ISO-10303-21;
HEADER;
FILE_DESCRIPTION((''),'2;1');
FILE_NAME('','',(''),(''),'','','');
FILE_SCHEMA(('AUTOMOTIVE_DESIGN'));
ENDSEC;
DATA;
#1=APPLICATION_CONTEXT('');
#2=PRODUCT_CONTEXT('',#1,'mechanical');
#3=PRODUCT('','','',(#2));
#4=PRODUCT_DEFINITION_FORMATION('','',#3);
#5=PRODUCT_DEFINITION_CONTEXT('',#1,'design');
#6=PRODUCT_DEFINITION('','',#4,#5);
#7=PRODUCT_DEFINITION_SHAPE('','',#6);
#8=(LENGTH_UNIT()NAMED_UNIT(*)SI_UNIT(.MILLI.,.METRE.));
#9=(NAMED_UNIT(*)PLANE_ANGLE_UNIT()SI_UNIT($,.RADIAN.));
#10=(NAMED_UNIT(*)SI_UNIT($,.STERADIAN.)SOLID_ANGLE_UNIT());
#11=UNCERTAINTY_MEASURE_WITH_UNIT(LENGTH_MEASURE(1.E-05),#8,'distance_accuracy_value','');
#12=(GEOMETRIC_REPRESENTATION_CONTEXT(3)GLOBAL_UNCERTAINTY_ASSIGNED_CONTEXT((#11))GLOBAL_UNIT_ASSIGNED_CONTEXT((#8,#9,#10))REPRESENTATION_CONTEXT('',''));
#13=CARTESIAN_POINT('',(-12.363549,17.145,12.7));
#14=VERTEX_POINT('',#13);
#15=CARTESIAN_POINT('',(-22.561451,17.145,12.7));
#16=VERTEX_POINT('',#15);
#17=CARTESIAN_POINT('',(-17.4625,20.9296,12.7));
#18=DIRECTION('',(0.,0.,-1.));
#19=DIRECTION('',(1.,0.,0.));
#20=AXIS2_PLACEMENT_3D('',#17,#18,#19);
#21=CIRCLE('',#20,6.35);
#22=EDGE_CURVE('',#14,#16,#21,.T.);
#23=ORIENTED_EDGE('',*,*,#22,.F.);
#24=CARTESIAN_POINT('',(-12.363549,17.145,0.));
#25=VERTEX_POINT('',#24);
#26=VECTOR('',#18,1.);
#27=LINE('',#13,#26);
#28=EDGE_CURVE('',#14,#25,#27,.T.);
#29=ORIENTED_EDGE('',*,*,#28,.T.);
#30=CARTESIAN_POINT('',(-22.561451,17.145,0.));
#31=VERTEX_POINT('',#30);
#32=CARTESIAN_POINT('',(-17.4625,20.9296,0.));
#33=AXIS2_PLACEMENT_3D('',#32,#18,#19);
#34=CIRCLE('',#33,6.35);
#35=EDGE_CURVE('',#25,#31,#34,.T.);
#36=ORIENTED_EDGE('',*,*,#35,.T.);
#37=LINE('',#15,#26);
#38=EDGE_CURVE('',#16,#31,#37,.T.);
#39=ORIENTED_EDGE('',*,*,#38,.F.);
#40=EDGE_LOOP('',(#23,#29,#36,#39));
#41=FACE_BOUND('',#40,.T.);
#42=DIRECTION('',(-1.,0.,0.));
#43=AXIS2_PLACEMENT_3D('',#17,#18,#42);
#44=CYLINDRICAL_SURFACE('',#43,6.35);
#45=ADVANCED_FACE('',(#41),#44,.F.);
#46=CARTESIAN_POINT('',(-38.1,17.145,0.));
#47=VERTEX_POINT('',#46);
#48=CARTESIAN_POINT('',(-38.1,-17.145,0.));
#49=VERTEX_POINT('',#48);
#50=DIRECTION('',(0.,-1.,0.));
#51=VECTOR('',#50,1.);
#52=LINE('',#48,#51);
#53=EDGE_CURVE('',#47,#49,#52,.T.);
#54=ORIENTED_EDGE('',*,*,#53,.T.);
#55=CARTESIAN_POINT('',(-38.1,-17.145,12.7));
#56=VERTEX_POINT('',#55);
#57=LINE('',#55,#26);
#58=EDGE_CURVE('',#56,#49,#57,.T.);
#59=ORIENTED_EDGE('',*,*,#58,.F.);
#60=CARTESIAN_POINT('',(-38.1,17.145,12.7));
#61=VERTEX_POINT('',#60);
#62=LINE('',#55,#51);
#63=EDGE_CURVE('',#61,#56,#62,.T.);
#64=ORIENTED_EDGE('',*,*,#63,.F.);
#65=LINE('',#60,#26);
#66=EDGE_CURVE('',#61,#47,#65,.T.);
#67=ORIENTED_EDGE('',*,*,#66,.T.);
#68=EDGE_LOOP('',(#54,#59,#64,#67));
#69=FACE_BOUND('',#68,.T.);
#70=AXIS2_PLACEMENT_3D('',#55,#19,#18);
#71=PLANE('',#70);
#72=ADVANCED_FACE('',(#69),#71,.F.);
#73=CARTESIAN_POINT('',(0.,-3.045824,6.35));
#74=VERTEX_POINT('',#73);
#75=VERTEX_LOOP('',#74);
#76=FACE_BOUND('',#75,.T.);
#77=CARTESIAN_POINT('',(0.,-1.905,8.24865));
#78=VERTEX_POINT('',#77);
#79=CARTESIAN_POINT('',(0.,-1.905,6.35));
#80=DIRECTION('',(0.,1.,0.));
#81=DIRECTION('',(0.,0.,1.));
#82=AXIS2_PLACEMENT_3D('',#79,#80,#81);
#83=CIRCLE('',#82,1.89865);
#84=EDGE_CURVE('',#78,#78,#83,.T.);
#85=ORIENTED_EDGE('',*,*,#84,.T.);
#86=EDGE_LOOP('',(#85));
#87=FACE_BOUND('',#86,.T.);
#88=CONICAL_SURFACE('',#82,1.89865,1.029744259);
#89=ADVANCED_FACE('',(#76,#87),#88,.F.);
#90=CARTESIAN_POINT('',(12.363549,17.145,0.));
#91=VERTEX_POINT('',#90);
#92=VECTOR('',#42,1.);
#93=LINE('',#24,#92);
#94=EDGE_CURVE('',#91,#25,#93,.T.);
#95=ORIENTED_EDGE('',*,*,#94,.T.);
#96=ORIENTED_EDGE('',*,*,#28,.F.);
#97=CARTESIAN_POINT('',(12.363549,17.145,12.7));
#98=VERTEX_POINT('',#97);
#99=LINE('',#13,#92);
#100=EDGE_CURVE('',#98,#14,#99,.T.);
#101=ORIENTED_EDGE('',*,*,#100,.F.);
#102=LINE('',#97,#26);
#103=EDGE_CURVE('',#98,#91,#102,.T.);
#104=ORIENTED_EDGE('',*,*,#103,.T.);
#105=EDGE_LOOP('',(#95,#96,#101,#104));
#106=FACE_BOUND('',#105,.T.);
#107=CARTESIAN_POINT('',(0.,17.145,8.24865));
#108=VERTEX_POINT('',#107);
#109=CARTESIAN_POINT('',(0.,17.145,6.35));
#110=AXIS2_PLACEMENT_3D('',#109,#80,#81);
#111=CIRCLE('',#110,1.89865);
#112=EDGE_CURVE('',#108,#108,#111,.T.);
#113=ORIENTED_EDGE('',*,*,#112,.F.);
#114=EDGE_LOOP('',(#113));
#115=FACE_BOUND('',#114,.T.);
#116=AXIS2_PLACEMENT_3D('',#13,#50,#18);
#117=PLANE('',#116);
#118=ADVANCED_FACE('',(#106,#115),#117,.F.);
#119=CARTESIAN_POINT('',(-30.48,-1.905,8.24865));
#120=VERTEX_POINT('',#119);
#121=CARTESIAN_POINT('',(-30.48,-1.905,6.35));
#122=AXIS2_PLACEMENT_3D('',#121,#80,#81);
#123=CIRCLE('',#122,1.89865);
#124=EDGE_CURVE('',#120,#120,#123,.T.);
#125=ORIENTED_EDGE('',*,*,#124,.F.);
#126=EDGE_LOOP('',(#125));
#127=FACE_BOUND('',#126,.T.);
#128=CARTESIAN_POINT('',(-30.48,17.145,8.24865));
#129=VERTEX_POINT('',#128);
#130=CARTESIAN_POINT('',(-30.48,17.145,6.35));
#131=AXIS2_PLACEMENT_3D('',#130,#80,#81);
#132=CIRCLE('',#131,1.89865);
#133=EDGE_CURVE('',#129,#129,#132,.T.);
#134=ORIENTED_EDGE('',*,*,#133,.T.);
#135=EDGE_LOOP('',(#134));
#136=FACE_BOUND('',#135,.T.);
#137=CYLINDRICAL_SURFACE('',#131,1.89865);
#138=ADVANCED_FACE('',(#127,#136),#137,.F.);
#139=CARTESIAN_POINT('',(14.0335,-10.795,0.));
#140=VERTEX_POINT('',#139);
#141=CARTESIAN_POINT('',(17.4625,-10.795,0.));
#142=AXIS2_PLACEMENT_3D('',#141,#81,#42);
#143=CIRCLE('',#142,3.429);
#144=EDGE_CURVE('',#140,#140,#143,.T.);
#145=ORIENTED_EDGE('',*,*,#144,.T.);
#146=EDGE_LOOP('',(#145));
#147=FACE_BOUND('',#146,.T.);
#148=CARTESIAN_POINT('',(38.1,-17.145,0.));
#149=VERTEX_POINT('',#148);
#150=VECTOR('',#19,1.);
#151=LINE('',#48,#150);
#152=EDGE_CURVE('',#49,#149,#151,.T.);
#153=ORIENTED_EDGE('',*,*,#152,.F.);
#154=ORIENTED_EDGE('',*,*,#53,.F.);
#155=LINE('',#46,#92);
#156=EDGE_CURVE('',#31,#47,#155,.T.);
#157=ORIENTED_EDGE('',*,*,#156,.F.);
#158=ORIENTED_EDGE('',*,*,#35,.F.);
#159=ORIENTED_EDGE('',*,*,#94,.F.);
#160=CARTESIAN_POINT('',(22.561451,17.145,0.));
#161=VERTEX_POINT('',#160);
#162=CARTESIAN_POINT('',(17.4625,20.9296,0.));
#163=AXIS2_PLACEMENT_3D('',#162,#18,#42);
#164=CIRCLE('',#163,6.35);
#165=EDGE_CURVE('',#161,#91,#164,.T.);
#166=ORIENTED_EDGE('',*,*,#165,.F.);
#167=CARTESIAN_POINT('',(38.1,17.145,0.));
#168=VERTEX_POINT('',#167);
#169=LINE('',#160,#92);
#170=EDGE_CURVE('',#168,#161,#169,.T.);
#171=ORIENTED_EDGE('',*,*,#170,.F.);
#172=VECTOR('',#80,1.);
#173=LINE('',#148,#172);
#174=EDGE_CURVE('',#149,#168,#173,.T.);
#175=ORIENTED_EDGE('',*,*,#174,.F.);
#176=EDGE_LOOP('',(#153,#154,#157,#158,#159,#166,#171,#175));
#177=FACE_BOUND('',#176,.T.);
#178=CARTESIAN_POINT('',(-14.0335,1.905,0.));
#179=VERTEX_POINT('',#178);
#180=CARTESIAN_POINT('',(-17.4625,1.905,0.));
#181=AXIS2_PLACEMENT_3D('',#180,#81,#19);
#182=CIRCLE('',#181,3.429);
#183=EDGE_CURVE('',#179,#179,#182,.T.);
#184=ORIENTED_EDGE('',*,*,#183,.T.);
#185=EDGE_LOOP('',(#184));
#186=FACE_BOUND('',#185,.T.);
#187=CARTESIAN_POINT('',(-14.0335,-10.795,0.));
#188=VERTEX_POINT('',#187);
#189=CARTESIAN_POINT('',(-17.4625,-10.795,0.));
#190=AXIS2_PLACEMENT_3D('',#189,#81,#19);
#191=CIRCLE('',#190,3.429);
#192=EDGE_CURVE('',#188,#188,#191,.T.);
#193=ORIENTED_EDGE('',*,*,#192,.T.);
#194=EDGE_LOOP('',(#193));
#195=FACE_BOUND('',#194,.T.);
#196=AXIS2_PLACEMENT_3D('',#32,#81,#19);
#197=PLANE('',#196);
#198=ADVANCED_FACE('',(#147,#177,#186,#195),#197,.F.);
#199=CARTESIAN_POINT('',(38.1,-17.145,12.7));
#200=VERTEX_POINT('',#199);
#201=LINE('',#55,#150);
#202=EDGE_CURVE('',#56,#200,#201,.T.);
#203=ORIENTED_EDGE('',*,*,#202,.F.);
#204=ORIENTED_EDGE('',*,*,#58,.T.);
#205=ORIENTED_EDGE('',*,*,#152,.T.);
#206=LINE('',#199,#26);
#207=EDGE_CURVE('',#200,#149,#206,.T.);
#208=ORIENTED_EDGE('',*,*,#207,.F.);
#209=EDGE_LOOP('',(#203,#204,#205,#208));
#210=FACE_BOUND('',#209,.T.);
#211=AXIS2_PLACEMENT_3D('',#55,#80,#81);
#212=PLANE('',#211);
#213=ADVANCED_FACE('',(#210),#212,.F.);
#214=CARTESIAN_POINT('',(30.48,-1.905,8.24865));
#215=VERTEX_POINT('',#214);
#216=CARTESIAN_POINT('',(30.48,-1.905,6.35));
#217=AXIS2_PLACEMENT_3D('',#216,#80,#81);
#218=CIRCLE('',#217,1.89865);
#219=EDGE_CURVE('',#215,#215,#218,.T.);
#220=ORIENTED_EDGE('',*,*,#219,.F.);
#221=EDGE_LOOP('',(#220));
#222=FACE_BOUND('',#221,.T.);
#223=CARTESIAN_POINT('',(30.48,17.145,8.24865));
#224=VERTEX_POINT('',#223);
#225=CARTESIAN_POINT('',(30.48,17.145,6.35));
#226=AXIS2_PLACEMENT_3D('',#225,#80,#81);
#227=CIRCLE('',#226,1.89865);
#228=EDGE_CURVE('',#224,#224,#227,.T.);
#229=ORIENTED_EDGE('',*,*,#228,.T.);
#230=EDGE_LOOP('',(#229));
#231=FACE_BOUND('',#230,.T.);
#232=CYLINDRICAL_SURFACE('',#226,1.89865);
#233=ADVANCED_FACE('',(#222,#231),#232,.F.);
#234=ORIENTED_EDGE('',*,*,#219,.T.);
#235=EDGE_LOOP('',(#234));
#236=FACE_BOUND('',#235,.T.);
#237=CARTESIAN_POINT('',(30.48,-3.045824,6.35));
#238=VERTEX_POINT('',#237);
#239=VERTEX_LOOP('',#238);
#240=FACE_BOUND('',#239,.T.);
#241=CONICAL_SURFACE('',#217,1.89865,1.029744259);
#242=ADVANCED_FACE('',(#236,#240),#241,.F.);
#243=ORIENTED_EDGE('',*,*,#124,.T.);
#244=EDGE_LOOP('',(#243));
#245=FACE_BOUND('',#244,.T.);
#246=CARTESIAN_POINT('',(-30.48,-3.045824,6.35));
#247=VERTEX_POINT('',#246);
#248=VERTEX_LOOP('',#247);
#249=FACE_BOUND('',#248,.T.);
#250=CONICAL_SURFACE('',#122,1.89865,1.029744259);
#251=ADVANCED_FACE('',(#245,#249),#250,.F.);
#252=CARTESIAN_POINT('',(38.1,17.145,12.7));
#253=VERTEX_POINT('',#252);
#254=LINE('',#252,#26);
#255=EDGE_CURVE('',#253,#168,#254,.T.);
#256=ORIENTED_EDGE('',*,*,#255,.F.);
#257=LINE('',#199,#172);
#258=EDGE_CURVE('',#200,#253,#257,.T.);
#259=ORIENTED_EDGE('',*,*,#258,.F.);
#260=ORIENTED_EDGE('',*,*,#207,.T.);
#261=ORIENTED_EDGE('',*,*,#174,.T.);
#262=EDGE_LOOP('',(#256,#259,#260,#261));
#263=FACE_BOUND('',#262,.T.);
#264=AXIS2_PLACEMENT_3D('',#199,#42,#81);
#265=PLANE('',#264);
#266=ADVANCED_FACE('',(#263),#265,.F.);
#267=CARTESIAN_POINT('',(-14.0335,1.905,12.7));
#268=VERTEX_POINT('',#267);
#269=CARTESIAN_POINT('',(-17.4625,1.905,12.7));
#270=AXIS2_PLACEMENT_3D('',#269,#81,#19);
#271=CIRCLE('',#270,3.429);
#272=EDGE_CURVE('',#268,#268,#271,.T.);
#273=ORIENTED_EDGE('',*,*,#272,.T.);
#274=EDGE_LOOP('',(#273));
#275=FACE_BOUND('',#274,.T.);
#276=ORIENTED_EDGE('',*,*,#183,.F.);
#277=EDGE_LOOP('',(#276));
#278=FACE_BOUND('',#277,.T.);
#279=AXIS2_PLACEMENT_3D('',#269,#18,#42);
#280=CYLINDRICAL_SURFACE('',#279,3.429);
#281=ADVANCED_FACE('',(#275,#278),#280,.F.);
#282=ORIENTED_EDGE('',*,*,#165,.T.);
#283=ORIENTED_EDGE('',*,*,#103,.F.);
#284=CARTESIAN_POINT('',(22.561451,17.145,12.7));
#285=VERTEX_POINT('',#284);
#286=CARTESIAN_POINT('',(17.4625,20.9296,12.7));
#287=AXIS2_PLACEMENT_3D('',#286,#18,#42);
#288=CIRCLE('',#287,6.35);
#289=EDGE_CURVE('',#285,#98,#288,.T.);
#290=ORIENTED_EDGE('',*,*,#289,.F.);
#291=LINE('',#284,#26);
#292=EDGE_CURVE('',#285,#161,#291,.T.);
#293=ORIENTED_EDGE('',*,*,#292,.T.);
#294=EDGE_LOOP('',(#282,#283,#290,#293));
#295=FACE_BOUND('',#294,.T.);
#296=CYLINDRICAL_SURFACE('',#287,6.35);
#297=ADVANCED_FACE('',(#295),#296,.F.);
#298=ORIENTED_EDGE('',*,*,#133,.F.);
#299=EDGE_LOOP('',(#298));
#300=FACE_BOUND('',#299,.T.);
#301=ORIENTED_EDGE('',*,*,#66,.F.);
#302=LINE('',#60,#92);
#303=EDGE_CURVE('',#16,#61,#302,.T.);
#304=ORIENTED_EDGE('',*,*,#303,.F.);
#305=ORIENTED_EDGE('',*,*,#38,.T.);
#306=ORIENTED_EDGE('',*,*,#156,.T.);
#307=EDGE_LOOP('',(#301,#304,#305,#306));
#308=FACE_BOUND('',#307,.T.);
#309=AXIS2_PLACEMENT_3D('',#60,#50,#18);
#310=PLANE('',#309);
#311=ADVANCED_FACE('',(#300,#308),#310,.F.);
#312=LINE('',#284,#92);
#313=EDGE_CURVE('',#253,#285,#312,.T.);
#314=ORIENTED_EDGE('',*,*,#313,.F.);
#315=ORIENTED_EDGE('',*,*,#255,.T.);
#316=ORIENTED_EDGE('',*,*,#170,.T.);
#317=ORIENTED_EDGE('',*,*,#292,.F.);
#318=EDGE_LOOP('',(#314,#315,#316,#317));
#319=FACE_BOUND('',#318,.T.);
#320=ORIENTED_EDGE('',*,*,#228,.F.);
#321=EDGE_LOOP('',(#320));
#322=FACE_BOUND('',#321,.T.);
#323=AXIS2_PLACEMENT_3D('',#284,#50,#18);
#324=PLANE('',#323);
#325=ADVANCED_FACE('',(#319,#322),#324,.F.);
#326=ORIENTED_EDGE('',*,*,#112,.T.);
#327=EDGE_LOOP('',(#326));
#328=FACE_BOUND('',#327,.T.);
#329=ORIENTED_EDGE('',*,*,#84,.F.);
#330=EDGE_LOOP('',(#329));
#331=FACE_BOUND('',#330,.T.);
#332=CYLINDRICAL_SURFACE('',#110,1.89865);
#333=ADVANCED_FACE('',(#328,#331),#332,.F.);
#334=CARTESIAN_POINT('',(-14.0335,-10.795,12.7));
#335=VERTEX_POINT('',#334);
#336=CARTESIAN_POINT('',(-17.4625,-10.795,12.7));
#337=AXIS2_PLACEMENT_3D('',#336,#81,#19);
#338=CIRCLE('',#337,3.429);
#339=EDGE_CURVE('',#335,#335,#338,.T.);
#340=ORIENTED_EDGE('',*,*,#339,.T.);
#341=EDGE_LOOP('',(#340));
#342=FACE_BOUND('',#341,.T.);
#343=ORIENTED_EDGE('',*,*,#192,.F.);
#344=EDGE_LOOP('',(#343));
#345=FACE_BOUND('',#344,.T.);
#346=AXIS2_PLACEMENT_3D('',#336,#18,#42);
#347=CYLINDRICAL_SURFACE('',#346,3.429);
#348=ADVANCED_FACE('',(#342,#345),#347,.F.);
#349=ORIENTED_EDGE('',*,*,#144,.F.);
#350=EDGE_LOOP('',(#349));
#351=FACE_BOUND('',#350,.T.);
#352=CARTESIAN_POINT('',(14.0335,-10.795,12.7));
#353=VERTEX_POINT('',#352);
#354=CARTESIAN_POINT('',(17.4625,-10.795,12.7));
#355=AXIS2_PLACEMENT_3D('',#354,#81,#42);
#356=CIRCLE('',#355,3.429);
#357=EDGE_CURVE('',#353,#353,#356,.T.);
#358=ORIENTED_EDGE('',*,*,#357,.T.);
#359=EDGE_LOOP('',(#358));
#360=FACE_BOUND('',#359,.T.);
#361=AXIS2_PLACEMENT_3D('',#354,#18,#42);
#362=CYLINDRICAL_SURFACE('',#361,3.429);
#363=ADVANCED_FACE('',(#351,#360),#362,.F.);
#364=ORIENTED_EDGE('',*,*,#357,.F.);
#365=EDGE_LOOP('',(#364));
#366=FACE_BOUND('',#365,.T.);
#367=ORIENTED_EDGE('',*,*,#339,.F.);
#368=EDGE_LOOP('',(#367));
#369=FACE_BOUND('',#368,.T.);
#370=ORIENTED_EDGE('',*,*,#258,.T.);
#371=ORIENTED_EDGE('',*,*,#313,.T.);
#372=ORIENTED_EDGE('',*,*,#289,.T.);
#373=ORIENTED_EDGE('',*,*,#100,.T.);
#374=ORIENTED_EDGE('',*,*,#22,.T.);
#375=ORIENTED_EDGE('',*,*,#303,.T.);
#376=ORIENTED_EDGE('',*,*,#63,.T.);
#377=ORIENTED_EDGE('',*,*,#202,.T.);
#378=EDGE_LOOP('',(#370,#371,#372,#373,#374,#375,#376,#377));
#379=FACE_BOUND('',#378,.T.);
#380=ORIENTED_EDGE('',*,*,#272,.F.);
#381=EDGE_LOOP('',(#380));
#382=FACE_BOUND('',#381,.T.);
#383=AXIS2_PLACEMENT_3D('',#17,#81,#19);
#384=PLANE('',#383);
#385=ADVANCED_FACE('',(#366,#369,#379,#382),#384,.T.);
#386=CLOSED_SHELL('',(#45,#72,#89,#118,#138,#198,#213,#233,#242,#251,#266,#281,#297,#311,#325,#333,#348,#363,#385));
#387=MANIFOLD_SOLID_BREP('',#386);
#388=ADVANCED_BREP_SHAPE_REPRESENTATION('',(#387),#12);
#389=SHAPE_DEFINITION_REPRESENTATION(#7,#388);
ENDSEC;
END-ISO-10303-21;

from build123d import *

# Parameters (mm, degrees)
SKETCH1_R                  = 3.429
BOSS_EXTRUDE1_DEPTH        = 12.7
F_10_24_TAPPED_HOLE1_D     = 3.7973
F_10_24_TAPPED_HOLE1_DEPTH = 19.05
F_10_24_TAPPED_HOLE1_TIP   = 1.140824014


with BuildPart() as part:
    # Sketch1 → Boss-Extrude1 (new body)
    with BuildSketch(Plane.XY):
        with BuildLine():
            Line((-38.1, -17.145), (38.1, -17.145))
            Line((38.1, -17.145), (38.1, 17.145))
            Line((38.1, 17.145), (22.561451151, 17.145))
            ThreePointArc((22.561451151, 17.145), (17.4625, 14.5796), (12.363548849, 17.145))
            Line((12.363548849, 17.145), (-12.363548849, 17.145))
            ThreePointArc((-12.363548849, 17.145), (-17.4625, 14.5796), (-22.561451151, 17.145))
            Line((-22.561451151, 17.145), (-38.1, 17.145))
            Line((-38.1, 17.145), (-38.1, -17.145))
        make_face()
        with Locations((-17.4625, -10.795)):
            Circle(SKETCH1_R, mode=Mode.SUBTRACT)
        with Locations(Location((17.4625, -10.795, 0), (0, 0, 180))):
            Circle(SKETCH1_R, mode=Mode.SUBTRACT)
        with Locations((-17.4625, 1.905)):
            Circle(SKETCH1_R, mode=Mode.SUBTRACT)
    extrude(amount=BOSS_EXTRUDE1_DEPTH)

    # #10-24 Tapped Hole1
    with Locations(Plane(origin=(0, 17.145, 0), x_dir=(1, 0, 0), z_dir=(0, 1, 0))):
        with Locations((30.48, -6.35), (-30.48, -6.35), (0, -6.35)):
            Hole(F_10_24_TAPPED_HOLE1_D / 2, depth=F_10_24_TAPPED_HOLE1_DEPTH)
            with Locations((0, 0, -(F_10_24_TAPPED_HOLE1_DEPTH + F_10_24_TAPPED_HOLE1_TIP / 2))):  # 118° drill point
                Cone(0, F_10_24_TAPPED_HOLE1_D / 2, F_10_24_TAPPED_HOLE1_TIP, mode=Mode.SUBTRACT)


solid = part.part
